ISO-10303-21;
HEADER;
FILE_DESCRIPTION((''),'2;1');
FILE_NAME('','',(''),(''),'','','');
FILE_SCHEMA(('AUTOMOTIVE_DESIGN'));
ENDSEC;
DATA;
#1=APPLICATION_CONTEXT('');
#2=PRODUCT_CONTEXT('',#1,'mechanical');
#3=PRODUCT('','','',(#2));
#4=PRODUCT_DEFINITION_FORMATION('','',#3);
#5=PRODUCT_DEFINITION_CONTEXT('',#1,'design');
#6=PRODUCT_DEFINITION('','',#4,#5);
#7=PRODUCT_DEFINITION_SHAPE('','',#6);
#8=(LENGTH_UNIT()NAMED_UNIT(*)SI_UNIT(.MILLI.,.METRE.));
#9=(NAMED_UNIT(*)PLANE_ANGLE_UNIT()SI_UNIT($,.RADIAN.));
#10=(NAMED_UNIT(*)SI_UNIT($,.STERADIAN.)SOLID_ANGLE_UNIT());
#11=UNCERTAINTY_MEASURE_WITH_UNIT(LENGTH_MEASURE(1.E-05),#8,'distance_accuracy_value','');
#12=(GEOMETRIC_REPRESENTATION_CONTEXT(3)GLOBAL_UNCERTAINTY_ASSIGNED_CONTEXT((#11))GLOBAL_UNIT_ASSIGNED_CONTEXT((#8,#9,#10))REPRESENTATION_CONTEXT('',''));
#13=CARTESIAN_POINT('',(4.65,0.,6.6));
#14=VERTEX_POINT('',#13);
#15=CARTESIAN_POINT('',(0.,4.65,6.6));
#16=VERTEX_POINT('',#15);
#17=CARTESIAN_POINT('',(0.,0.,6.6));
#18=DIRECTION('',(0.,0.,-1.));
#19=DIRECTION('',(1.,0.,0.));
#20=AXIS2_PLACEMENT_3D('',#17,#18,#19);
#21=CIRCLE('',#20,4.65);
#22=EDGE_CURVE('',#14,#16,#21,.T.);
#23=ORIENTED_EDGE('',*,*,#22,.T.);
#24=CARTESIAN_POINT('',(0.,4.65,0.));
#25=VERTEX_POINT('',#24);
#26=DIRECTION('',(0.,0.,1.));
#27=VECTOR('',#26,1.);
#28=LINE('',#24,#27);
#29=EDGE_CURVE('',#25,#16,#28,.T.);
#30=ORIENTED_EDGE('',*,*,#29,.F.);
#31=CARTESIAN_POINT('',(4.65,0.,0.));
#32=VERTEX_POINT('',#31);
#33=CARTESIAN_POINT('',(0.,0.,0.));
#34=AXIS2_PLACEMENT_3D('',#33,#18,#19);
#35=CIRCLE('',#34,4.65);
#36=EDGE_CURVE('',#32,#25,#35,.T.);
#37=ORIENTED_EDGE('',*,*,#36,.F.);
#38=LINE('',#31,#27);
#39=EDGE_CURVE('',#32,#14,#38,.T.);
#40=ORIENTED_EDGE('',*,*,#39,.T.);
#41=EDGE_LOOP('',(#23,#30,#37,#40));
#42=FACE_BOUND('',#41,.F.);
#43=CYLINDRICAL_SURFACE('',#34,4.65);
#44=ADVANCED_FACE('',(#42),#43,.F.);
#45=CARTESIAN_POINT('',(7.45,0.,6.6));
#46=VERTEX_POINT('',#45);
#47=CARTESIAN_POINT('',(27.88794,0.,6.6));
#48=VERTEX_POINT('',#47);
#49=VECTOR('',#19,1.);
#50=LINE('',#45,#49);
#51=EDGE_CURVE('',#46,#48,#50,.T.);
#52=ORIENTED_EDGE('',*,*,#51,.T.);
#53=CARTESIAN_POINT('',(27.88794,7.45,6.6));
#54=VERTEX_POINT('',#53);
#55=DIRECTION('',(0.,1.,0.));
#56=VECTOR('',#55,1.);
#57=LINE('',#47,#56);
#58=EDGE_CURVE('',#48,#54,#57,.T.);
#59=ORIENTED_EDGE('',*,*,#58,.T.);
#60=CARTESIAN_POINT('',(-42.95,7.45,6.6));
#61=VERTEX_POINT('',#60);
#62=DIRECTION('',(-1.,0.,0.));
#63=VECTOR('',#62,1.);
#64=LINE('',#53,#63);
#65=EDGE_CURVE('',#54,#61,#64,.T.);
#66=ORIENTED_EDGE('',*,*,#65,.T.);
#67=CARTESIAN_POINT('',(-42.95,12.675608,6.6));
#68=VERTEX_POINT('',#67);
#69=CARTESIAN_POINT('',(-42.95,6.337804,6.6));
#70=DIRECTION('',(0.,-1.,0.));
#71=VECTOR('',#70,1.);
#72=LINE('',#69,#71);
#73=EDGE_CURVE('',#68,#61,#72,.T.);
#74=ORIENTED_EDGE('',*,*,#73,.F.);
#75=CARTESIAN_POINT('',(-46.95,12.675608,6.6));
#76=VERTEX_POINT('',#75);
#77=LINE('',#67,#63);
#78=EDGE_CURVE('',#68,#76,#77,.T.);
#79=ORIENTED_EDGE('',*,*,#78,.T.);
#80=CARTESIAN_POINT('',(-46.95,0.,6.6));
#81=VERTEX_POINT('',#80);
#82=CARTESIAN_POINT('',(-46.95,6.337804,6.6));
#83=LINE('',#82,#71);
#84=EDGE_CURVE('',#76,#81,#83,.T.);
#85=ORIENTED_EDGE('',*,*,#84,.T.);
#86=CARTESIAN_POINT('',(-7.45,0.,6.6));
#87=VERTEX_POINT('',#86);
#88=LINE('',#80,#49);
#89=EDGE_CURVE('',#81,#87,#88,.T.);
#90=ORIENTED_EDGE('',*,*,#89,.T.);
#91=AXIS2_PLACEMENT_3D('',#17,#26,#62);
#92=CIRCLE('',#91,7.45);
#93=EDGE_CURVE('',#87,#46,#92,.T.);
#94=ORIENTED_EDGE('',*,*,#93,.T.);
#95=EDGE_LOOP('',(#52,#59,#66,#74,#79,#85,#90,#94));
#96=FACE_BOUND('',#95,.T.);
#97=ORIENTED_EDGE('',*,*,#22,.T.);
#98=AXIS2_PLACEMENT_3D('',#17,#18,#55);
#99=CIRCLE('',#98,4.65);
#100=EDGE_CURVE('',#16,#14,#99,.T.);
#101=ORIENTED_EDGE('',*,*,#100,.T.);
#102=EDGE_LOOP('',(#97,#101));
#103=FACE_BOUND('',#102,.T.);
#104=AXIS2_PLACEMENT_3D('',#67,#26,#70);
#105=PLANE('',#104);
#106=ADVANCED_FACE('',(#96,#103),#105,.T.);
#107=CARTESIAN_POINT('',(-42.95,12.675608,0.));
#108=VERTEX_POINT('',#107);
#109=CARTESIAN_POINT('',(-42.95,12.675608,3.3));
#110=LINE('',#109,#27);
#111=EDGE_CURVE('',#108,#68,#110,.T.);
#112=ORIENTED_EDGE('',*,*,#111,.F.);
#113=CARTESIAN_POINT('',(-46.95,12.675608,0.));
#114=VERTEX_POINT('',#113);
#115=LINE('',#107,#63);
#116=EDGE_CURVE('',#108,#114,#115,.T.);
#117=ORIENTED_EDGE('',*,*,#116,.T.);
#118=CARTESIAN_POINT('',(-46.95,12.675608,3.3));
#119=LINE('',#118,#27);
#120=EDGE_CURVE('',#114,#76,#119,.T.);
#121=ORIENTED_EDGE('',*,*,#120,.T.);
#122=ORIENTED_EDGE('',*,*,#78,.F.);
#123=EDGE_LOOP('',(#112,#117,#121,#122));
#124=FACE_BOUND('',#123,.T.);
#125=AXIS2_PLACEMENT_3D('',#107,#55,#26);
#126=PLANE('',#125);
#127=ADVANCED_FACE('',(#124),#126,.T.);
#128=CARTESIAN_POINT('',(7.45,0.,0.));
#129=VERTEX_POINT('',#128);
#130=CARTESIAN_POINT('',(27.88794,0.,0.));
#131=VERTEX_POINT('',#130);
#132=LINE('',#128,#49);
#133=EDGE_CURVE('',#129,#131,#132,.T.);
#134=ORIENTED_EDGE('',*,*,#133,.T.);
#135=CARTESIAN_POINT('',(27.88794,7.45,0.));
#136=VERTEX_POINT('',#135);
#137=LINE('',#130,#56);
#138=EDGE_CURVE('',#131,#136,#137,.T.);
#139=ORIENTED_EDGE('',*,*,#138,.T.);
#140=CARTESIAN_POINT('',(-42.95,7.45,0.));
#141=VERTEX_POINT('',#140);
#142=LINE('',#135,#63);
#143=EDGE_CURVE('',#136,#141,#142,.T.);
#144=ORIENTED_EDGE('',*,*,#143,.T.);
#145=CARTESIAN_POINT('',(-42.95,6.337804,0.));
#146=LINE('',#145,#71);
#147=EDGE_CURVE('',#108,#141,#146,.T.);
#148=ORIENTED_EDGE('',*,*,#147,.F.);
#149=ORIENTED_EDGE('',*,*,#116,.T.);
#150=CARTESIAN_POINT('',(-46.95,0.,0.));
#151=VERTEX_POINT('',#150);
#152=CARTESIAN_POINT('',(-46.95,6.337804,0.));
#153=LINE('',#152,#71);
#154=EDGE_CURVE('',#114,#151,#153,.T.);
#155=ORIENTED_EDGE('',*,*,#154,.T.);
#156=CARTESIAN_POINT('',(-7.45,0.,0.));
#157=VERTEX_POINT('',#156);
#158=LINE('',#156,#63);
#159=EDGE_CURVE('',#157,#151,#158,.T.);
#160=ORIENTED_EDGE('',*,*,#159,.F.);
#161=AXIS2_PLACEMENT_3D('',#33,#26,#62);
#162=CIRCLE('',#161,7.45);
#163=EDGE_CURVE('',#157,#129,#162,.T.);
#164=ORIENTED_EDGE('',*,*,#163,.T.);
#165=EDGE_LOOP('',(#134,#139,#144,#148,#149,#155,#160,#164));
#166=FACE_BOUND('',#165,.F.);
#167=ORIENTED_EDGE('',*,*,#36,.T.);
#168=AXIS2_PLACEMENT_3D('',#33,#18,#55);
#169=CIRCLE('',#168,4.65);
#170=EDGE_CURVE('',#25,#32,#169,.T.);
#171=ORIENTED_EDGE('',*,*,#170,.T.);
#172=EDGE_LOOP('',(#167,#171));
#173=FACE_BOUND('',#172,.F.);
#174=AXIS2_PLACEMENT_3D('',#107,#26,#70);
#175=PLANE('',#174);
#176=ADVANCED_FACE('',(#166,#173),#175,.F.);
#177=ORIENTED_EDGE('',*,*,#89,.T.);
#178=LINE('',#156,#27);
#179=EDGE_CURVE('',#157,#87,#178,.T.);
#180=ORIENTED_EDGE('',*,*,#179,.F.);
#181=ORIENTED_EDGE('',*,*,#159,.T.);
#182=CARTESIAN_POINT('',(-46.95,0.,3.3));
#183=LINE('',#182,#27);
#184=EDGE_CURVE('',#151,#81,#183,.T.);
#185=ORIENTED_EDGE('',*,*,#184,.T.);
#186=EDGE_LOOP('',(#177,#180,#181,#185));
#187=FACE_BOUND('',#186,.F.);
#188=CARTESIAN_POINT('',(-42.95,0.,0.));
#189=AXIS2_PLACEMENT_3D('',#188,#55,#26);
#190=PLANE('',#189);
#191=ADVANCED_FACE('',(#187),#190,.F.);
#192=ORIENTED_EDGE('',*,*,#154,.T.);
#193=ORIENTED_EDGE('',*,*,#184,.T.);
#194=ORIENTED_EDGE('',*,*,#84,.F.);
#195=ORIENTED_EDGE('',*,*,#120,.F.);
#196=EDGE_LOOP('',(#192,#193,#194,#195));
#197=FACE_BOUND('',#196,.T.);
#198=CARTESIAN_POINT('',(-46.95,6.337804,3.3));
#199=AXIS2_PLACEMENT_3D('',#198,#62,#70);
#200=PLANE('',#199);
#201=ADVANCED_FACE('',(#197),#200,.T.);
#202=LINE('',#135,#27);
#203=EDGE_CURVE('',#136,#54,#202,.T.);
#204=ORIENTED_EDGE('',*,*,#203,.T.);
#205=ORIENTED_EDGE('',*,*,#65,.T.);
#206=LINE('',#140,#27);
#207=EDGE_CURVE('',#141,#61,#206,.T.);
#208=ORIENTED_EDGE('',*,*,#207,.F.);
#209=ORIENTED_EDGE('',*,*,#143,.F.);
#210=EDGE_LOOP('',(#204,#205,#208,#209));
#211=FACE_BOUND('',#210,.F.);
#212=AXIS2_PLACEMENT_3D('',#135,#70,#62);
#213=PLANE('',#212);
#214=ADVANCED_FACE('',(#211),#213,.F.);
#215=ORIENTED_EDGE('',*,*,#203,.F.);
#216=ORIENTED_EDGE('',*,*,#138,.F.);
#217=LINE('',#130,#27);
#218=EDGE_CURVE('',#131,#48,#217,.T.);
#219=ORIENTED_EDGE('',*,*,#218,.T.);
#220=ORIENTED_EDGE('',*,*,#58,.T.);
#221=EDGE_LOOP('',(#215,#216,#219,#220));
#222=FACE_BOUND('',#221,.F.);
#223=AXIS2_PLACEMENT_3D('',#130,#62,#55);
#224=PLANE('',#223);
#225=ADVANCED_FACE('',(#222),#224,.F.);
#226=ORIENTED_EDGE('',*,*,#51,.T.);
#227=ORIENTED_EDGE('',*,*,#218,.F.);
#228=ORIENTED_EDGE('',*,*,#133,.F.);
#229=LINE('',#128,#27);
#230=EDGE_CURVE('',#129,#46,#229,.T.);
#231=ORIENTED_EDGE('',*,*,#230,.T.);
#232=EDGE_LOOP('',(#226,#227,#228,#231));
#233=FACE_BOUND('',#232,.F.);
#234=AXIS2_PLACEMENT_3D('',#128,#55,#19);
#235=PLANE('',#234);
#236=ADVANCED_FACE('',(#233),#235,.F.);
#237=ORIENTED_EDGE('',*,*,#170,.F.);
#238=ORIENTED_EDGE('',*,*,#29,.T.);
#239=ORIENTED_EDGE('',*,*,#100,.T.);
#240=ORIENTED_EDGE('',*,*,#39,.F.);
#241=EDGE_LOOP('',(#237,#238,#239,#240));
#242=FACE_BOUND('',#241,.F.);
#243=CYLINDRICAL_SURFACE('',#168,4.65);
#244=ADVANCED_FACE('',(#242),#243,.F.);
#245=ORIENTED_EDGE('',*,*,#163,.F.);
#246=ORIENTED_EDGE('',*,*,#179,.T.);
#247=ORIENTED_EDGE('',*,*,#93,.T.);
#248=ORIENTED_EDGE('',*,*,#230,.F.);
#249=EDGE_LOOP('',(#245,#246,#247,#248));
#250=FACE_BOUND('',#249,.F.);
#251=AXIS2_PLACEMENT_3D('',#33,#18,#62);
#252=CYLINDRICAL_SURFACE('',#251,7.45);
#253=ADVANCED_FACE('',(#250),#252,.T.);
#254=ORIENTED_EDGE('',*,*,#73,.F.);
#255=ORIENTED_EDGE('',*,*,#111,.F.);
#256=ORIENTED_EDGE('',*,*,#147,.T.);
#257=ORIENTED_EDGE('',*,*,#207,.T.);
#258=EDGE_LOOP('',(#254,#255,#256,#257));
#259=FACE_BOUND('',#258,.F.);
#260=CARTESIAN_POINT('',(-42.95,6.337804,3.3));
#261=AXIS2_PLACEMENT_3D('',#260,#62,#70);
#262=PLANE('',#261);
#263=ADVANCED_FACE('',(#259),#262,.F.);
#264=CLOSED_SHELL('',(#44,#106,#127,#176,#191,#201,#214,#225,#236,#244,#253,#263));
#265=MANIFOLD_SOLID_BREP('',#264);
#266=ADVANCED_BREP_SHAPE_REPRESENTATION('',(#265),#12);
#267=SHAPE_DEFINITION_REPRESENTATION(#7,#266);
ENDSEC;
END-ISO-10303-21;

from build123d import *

# Parameters (mm, degrees)
F1_DEPTH = 6.6
F2_W     = 12.675607577
F2_H     = 6.6
F3_DEPTH = 4


with BuildPart() as f1:
    # F0 (on Top) → F1 (new body)
    with BuildSketch(Plane.XY):
        with BuildLine():
            Line((7.45, 0), (4.65, 0))
            ThreePointArc((4.65, 0), (-3.2880465325, -3.2880465325), (0, 4.65))
            Line((0, 4.65), (0, 7.45))
            ThreePointArc((0, 7.45), (-5.2679455198, 5.2679455198), (-7.45, 0))
            ThreePointArc((-7.45, 0), (0, -7.45), (7.45, 0))
        make_face()
        with BuildLine():
            ThreePointArc((0, 4.65), (3.2880465325, 3.2880465325), (4.65, 0))
            Line((4.65, 0), (7.45, 0))
            ThreePointArc((7.45, 0), (5.2679455198, 5.2679455198), (0, 7.45))
            Line((0, 7.45), (0, 4.65))
        make_face()
        with BuildLine():
            ThreePointArc((0, 7.45), (5.2679455198, 5.2679455198), (7.45, 0))
            Line((7.45, 0), (27.8879404068, 0))
            Line((27.8879404068, 0), (27.8879404068, 7.45))
            Line((27.8879404068, 7.45), (0, 7.45))
        make_face()
        with BuildLine():
            ThreePointArc((-7.45, 0), (-5.2679455198, 5.2679455198), (0, 7.45))
            Line((0, 7.45), (-42.95, 7.45))
            Line((-42.95, 7.45), (-42.95, 0))
            Line((-42.95, 0), (-7.45, 0))
        make_face()
    extrude(amount=F1_DEPTH)

    # F2 (on face) → F3 (join)
    with BuildSketch(Plane(origin=(-42.95, 0, 0), x_dir=(0, -1, 0), z_dir=(-1, 0, 0))):
        with Locations((-6.3378037885, 3.3)):
            Rectangle(F2_W, F2_H)
    extrude(amount=F3_DEPTH)


solid = f1.part
